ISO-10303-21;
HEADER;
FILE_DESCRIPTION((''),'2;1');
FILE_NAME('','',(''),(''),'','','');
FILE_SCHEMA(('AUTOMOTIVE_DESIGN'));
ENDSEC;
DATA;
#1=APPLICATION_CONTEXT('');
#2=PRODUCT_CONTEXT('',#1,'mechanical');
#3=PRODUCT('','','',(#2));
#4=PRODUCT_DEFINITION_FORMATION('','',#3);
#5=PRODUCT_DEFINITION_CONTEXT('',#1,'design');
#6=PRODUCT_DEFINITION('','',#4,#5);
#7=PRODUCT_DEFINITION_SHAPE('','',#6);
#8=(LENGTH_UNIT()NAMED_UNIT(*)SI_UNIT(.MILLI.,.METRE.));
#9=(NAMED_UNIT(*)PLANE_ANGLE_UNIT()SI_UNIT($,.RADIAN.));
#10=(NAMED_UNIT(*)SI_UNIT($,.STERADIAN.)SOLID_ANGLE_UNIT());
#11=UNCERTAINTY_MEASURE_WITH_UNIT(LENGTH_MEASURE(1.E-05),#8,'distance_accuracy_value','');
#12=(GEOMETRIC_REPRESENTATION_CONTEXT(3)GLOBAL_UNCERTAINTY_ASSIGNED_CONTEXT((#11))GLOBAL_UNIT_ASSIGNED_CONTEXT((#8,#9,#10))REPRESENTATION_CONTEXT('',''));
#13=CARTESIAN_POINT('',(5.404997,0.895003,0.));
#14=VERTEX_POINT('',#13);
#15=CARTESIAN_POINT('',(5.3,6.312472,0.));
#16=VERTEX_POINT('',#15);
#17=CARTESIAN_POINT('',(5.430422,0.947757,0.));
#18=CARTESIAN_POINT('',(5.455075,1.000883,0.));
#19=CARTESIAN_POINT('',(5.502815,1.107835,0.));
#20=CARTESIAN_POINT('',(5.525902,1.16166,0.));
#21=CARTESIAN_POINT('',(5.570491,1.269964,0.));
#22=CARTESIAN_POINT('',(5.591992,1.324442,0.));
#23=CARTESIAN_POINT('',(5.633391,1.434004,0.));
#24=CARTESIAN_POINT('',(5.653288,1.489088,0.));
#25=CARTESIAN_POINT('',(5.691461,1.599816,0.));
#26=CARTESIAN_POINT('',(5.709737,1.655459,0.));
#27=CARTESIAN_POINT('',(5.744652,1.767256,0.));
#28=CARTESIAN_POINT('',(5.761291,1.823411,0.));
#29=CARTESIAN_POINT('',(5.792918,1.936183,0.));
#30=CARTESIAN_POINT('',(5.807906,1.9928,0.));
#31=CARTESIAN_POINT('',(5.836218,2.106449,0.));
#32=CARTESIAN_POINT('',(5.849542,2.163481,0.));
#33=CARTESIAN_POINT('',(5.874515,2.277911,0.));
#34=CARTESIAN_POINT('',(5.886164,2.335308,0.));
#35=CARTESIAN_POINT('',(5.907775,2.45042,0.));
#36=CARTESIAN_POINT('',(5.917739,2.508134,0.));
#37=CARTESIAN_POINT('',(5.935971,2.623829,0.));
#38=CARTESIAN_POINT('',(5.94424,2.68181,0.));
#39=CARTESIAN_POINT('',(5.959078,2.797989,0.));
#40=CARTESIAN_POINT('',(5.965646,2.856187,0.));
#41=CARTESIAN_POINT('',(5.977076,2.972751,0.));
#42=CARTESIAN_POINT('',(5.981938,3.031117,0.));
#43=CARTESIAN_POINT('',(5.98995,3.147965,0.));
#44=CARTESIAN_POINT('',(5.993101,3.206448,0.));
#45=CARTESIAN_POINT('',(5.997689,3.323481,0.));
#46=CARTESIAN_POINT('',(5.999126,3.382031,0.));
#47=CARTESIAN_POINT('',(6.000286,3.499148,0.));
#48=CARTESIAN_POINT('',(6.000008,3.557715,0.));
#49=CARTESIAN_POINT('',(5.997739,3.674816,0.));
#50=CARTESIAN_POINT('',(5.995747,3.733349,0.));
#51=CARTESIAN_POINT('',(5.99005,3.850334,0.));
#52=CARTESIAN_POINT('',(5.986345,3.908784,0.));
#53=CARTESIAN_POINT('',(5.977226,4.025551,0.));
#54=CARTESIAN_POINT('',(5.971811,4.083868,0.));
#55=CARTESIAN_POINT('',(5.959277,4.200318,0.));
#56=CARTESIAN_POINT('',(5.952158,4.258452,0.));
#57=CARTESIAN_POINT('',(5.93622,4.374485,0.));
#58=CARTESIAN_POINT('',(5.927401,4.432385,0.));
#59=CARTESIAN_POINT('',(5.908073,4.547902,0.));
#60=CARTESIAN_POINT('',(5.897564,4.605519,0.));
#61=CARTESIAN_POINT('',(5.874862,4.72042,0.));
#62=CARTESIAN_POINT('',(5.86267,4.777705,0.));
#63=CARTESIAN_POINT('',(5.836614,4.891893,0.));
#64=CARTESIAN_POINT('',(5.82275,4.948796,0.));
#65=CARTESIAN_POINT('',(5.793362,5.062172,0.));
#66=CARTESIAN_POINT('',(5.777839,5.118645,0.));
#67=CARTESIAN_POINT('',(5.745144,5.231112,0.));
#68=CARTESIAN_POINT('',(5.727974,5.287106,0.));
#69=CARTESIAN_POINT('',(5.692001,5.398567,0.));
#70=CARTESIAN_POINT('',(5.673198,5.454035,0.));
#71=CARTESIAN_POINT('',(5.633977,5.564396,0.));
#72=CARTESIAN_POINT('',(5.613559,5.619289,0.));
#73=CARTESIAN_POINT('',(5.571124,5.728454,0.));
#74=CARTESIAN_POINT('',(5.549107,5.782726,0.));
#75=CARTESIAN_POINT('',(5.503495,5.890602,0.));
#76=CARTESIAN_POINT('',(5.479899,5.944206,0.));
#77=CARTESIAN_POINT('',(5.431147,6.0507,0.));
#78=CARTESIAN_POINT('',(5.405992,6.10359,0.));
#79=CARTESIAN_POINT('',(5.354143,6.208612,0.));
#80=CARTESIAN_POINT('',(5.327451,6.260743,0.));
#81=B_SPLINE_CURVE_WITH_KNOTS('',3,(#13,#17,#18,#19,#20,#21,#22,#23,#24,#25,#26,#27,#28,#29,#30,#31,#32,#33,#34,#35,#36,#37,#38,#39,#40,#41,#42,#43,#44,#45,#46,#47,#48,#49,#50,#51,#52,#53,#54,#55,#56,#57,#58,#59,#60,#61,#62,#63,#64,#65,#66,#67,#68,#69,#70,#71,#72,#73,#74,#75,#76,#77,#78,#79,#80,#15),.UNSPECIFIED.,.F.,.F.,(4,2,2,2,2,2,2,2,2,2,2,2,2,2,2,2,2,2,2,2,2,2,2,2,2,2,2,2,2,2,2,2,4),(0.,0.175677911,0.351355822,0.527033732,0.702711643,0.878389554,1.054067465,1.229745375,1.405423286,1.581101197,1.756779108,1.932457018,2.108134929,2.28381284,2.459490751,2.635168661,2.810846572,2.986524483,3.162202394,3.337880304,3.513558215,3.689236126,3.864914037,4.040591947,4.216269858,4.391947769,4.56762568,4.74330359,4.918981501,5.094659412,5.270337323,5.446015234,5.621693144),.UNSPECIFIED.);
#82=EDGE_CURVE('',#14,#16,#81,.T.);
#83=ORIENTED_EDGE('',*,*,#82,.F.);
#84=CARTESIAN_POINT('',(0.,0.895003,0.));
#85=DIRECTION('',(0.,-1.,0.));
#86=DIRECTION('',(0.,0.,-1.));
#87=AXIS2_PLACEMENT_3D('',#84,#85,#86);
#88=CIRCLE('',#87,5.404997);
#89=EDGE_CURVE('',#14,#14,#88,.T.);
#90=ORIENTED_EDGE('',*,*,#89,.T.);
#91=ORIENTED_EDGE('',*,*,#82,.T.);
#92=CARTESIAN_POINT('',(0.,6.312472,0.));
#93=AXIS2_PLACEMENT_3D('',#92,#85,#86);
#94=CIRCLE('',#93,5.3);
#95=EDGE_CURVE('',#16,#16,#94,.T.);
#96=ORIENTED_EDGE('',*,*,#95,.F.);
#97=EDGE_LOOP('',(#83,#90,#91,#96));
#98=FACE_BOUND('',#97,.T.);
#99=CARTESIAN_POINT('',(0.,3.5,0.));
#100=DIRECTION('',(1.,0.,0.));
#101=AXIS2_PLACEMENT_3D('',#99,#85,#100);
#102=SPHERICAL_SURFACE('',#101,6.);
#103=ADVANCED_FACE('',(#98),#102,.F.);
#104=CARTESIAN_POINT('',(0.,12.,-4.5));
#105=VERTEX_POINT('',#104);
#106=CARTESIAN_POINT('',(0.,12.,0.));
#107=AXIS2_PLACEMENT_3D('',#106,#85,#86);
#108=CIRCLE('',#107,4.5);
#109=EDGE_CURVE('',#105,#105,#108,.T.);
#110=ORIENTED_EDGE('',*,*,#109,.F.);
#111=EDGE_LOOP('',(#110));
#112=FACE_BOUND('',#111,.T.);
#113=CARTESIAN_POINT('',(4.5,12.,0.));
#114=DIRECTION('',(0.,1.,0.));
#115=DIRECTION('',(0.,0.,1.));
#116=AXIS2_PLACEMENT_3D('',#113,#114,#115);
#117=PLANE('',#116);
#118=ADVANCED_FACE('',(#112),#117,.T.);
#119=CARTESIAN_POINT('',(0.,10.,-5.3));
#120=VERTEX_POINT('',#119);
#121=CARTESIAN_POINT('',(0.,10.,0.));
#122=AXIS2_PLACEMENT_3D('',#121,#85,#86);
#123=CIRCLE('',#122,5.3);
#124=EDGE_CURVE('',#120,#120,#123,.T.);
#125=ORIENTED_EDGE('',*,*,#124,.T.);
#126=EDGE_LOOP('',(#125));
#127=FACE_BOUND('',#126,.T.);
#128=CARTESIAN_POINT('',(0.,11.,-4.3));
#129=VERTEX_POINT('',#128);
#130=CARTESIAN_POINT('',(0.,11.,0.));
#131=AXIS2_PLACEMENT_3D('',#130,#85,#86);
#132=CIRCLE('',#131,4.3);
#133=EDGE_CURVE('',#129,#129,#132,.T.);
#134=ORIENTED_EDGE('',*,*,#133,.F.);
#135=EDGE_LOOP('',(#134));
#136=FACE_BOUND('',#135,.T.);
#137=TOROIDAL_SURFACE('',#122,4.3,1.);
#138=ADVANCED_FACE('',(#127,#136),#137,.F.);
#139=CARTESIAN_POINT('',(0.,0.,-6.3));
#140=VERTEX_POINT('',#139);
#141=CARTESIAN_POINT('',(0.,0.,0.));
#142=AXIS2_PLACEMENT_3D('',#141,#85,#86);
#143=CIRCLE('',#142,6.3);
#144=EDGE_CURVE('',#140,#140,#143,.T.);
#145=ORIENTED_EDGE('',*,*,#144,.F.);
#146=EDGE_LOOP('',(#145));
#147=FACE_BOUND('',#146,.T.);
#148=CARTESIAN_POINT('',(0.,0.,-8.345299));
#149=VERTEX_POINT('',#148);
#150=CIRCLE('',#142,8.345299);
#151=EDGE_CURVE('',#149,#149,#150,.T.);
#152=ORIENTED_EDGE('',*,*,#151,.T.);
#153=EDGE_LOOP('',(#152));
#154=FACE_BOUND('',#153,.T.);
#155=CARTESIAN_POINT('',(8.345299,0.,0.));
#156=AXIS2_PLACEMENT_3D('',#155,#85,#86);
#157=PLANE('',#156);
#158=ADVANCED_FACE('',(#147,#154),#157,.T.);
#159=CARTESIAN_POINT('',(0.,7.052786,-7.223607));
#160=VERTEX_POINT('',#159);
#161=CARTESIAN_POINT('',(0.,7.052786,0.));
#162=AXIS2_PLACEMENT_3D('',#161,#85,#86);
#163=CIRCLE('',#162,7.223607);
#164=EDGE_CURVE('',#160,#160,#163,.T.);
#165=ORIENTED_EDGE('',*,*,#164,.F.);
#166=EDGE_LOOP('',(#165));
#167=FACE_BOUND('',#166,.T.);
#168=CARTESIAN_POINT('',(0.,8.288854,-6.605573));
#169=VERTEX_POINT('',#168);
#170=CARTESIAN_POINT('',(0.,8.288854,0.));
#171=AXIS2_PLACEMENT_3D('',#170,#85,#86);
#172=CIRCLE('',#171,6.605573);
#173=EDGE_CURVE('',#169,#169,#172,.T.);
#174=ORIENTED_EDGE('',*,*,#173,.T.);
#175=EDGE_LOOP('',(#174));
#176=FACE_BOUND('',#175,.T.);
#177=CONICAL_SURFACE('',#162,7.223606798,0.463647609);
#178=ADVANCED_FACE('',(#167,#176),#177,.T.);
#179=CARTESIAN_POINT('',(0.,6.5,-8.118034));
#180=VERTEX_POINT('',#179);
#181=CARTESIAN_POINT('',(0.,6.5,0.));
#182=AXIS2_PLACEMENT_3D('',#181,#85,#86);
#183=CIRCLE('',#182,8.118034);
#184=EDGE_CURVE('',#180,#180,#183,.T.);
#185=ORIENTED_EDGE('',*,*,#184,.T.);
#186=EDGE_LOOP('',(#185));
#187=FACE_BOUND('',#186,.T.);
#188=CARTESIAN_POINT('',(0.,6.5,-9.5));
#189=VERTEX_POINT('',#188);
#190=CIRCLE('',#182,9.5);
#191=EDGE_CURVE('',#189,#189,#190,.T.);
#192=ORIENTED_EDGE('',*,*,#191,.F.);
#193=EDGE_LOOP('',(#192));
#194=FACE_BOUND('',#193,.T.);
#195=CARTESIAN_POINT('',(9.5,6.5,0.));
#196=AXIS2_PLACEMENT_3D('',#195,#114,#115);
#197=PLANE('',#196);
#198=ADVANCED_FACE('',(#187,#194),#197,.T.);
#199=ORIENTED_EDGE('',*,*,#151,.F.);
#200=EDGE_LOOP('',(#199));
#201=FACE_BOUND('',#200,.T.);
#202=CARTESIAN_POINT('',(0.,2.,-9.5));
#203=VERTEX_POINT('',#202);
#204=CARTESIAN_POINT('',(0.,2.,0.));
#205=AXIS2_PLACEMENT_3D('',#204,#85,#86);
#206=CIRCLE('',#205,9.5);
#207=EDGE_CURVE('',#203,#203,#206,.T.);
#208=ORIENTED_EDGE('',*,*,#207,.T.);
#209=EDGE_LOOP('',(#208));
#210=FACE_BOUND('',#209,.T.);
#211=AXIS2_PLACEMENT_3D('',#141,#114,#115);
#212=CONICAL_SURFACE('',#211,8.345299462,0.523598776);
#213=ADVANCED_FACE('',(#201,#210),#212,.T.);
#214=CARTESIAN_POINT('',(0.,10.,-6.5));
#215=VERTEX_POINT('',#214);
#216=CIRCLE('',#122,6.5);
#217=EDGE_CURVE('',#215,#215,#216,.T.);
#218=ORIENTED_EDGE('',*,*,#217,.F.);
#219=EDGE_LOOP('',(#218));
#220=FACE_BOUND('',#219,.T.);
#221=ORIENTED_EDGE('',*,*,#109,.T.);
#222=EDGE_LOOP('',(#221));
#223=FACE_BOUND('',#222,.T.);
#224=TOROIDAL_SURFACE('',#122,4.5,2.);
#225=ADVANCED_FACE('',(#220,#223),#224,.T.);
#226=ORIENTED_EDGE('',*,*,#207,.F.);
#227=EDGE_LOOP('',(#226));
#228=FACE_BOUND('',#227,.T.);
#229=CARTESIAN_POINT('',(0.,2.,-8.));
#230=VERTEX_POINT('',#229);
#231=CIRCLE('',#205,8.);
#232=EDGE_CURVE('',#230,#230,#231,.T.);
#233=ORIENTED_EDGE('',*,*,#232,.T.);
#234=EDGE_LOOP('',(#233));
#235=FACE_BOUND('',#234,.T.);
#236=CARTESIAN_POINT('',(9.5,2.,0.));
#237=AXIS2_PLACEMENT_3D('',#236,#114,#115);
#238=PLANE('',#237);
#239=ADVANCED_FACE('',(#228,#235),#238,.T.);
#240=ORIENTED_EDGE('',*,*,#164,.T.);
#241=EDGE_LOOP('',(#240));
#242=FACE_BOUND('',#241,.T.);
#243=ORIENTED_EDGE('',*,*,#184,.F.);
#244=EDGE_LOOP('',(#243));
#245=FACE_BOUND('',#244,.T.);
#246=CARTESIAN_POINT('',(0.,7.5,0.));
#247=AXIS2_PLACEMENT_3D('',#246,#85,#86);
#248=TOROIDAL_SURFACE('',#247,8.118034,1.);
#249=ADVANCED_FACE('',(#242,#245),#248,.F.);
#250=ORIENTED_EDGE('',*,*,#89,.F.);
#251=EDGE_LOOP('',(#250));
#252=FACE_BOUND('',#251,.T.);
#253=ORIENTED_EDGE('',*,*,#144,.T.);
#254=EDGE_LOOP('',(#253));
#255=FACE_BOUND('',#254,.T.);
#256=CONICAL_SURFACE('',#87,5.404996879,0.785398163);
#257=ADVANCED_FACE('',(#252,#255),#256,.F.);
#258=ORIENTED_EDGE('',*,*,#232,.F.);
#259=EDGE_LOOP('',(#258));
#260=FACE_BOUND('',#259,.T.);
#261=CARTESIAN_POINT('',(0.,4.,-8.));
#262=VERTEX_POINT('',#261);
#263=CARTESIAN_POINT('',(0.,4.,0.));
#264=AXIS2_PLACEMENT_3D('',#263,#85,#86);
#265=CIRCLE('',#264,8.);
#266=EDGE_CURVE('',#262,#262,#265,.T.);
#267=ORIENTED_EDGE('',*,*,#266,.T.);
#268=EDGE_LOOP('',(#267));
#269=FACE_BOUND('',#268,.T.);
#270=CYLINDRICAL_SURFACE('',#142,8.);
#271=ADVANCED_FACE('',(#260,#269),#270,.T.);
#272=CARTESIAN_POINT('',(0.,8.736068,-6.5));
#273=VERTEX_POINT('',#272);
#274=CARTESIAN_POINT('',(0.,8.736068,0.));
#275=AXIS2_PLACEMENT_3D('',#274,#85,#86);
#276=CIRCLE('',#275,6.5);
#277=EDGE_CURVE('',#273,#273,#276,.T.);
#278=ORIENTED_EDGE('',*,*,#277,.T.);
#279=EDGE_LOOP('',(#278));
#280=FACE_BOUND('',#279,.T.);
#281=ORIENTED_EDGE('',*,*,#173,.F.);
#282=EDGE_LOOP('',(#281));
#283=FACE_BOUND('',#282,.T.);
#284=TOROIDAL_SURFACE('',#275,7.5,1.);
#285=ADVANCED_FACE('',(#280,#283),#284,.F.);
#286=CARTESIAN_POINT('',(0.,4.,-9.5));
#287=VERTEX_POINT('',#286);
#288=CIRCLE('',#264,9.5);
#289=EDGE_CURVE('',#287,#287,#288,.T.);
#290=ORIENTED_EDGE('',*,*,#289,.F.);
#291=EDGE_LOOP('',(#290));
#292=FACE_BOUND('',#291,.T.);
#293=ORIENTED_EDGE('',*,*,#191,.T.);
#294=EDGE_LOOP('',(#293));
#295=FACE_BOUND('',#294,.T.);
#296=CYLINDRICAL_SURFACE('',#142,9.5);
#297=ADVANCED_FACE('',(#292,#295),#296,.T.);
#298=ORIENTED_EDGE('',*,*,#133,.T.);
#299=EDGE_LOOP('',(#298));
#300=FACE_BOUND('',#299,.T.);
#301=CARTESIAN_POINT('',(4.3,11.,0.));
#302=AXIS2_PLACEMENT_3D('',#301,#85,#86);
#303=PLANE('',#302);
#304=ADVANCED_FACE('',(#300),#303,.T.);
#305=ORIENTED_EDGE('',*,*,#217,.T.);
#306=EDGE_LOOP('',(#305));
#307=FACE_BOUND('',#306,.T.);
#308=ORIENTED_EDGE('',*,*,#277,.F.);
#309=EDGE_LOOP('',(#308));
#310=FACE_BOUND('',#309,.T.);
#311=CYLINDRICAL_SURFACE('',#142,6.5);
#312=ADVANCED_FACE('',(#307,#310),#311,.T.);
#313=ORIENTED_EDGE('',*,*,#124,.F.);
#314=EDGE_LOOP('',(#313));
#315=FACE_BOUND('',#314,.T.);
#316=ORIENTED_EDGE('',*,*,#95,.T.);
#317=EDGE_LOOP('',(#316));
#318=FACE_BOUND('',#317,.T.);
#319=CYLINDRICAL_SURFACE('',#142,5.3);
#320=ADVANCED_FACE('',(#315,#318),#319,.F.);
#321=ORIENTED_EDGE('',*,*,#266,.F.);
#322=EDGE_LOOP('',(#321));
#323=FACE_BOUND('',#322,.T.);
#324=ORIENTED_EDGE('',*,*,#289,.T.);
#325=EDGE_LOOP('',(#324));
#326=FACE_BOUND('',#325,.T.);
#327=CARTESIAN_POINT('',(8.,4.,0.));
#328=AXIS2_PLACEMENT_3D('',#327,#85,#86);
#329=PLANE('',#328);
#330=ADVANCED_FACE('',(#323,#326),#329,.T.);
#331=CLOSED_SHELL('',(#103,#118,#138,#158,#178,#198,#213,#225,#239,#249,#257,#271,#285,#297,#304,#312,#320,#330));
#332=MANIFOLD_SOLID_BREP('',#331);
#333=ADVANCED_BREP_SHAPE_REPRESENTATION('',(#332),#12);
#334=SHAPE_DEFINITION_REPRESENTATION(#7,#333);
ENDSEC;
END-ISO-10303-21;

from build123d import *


with BuildPart() as part:
    # Esquisse1 → Révolution1 (revolve)
    with BuildSketch(Plane.XY, mode=Mode.PRIVATE) as r_volution1_sk:
        with BuildLine():
            Line((8.345299462, 0), (6.3, 0))
            Line((6.3, 0), (5.404996879, 0.895003121))
            ThreePointArc((5.404996879, 0.895003121), (5.998873428, 3.616265174), (5.3, 6.312472222))
            Line((5.3, 6.312472222), (5.3, 10))
            ThreePointArc((5.3, 10), (5.007106781, 10.707106781), (4.3, 11))
            Line((4.3, 11), (0, 11))
            Line((0, 11), (0, 12))
            Line((0, 12), (4.5, 12))
            ThreePointArc((4.5, 12), (5.914213562, 11.414213562), (6.5, 10))
            Line((6.5, 10), (6.5, 8.736067977))
            ThreePointArc((6.5, 8.736067977), (6.526751011, 8.506315057), (6.605572809, 8.288854382))
            Line((6.605572809, 8.288854382), (7.223606798, 7.052786405))
            ThreePointArc((7.223606798, 7.052786405), (7.592302877, 6.649349192), (8.118033989, 6.5))
            Line((8.118033989, 6.5), (9.5, 6.5))
            Line((9.5, 6.5), (9.5, 4))
            Line((9.5, 4), (8, 4))
            Line((8, 4), (8, 2))
            Line((8, 2), (9.5, 2))
            Line((9.5, 2), (8.345299462, 0))
        make_face()
    revolve(r_volution1_sk.sketch.rotate(Axis((0, 0, 0), (0, 1, 0)), 90), axis=Axis((0, 0, 0), (0, 1, 0)))


solid = part.part
